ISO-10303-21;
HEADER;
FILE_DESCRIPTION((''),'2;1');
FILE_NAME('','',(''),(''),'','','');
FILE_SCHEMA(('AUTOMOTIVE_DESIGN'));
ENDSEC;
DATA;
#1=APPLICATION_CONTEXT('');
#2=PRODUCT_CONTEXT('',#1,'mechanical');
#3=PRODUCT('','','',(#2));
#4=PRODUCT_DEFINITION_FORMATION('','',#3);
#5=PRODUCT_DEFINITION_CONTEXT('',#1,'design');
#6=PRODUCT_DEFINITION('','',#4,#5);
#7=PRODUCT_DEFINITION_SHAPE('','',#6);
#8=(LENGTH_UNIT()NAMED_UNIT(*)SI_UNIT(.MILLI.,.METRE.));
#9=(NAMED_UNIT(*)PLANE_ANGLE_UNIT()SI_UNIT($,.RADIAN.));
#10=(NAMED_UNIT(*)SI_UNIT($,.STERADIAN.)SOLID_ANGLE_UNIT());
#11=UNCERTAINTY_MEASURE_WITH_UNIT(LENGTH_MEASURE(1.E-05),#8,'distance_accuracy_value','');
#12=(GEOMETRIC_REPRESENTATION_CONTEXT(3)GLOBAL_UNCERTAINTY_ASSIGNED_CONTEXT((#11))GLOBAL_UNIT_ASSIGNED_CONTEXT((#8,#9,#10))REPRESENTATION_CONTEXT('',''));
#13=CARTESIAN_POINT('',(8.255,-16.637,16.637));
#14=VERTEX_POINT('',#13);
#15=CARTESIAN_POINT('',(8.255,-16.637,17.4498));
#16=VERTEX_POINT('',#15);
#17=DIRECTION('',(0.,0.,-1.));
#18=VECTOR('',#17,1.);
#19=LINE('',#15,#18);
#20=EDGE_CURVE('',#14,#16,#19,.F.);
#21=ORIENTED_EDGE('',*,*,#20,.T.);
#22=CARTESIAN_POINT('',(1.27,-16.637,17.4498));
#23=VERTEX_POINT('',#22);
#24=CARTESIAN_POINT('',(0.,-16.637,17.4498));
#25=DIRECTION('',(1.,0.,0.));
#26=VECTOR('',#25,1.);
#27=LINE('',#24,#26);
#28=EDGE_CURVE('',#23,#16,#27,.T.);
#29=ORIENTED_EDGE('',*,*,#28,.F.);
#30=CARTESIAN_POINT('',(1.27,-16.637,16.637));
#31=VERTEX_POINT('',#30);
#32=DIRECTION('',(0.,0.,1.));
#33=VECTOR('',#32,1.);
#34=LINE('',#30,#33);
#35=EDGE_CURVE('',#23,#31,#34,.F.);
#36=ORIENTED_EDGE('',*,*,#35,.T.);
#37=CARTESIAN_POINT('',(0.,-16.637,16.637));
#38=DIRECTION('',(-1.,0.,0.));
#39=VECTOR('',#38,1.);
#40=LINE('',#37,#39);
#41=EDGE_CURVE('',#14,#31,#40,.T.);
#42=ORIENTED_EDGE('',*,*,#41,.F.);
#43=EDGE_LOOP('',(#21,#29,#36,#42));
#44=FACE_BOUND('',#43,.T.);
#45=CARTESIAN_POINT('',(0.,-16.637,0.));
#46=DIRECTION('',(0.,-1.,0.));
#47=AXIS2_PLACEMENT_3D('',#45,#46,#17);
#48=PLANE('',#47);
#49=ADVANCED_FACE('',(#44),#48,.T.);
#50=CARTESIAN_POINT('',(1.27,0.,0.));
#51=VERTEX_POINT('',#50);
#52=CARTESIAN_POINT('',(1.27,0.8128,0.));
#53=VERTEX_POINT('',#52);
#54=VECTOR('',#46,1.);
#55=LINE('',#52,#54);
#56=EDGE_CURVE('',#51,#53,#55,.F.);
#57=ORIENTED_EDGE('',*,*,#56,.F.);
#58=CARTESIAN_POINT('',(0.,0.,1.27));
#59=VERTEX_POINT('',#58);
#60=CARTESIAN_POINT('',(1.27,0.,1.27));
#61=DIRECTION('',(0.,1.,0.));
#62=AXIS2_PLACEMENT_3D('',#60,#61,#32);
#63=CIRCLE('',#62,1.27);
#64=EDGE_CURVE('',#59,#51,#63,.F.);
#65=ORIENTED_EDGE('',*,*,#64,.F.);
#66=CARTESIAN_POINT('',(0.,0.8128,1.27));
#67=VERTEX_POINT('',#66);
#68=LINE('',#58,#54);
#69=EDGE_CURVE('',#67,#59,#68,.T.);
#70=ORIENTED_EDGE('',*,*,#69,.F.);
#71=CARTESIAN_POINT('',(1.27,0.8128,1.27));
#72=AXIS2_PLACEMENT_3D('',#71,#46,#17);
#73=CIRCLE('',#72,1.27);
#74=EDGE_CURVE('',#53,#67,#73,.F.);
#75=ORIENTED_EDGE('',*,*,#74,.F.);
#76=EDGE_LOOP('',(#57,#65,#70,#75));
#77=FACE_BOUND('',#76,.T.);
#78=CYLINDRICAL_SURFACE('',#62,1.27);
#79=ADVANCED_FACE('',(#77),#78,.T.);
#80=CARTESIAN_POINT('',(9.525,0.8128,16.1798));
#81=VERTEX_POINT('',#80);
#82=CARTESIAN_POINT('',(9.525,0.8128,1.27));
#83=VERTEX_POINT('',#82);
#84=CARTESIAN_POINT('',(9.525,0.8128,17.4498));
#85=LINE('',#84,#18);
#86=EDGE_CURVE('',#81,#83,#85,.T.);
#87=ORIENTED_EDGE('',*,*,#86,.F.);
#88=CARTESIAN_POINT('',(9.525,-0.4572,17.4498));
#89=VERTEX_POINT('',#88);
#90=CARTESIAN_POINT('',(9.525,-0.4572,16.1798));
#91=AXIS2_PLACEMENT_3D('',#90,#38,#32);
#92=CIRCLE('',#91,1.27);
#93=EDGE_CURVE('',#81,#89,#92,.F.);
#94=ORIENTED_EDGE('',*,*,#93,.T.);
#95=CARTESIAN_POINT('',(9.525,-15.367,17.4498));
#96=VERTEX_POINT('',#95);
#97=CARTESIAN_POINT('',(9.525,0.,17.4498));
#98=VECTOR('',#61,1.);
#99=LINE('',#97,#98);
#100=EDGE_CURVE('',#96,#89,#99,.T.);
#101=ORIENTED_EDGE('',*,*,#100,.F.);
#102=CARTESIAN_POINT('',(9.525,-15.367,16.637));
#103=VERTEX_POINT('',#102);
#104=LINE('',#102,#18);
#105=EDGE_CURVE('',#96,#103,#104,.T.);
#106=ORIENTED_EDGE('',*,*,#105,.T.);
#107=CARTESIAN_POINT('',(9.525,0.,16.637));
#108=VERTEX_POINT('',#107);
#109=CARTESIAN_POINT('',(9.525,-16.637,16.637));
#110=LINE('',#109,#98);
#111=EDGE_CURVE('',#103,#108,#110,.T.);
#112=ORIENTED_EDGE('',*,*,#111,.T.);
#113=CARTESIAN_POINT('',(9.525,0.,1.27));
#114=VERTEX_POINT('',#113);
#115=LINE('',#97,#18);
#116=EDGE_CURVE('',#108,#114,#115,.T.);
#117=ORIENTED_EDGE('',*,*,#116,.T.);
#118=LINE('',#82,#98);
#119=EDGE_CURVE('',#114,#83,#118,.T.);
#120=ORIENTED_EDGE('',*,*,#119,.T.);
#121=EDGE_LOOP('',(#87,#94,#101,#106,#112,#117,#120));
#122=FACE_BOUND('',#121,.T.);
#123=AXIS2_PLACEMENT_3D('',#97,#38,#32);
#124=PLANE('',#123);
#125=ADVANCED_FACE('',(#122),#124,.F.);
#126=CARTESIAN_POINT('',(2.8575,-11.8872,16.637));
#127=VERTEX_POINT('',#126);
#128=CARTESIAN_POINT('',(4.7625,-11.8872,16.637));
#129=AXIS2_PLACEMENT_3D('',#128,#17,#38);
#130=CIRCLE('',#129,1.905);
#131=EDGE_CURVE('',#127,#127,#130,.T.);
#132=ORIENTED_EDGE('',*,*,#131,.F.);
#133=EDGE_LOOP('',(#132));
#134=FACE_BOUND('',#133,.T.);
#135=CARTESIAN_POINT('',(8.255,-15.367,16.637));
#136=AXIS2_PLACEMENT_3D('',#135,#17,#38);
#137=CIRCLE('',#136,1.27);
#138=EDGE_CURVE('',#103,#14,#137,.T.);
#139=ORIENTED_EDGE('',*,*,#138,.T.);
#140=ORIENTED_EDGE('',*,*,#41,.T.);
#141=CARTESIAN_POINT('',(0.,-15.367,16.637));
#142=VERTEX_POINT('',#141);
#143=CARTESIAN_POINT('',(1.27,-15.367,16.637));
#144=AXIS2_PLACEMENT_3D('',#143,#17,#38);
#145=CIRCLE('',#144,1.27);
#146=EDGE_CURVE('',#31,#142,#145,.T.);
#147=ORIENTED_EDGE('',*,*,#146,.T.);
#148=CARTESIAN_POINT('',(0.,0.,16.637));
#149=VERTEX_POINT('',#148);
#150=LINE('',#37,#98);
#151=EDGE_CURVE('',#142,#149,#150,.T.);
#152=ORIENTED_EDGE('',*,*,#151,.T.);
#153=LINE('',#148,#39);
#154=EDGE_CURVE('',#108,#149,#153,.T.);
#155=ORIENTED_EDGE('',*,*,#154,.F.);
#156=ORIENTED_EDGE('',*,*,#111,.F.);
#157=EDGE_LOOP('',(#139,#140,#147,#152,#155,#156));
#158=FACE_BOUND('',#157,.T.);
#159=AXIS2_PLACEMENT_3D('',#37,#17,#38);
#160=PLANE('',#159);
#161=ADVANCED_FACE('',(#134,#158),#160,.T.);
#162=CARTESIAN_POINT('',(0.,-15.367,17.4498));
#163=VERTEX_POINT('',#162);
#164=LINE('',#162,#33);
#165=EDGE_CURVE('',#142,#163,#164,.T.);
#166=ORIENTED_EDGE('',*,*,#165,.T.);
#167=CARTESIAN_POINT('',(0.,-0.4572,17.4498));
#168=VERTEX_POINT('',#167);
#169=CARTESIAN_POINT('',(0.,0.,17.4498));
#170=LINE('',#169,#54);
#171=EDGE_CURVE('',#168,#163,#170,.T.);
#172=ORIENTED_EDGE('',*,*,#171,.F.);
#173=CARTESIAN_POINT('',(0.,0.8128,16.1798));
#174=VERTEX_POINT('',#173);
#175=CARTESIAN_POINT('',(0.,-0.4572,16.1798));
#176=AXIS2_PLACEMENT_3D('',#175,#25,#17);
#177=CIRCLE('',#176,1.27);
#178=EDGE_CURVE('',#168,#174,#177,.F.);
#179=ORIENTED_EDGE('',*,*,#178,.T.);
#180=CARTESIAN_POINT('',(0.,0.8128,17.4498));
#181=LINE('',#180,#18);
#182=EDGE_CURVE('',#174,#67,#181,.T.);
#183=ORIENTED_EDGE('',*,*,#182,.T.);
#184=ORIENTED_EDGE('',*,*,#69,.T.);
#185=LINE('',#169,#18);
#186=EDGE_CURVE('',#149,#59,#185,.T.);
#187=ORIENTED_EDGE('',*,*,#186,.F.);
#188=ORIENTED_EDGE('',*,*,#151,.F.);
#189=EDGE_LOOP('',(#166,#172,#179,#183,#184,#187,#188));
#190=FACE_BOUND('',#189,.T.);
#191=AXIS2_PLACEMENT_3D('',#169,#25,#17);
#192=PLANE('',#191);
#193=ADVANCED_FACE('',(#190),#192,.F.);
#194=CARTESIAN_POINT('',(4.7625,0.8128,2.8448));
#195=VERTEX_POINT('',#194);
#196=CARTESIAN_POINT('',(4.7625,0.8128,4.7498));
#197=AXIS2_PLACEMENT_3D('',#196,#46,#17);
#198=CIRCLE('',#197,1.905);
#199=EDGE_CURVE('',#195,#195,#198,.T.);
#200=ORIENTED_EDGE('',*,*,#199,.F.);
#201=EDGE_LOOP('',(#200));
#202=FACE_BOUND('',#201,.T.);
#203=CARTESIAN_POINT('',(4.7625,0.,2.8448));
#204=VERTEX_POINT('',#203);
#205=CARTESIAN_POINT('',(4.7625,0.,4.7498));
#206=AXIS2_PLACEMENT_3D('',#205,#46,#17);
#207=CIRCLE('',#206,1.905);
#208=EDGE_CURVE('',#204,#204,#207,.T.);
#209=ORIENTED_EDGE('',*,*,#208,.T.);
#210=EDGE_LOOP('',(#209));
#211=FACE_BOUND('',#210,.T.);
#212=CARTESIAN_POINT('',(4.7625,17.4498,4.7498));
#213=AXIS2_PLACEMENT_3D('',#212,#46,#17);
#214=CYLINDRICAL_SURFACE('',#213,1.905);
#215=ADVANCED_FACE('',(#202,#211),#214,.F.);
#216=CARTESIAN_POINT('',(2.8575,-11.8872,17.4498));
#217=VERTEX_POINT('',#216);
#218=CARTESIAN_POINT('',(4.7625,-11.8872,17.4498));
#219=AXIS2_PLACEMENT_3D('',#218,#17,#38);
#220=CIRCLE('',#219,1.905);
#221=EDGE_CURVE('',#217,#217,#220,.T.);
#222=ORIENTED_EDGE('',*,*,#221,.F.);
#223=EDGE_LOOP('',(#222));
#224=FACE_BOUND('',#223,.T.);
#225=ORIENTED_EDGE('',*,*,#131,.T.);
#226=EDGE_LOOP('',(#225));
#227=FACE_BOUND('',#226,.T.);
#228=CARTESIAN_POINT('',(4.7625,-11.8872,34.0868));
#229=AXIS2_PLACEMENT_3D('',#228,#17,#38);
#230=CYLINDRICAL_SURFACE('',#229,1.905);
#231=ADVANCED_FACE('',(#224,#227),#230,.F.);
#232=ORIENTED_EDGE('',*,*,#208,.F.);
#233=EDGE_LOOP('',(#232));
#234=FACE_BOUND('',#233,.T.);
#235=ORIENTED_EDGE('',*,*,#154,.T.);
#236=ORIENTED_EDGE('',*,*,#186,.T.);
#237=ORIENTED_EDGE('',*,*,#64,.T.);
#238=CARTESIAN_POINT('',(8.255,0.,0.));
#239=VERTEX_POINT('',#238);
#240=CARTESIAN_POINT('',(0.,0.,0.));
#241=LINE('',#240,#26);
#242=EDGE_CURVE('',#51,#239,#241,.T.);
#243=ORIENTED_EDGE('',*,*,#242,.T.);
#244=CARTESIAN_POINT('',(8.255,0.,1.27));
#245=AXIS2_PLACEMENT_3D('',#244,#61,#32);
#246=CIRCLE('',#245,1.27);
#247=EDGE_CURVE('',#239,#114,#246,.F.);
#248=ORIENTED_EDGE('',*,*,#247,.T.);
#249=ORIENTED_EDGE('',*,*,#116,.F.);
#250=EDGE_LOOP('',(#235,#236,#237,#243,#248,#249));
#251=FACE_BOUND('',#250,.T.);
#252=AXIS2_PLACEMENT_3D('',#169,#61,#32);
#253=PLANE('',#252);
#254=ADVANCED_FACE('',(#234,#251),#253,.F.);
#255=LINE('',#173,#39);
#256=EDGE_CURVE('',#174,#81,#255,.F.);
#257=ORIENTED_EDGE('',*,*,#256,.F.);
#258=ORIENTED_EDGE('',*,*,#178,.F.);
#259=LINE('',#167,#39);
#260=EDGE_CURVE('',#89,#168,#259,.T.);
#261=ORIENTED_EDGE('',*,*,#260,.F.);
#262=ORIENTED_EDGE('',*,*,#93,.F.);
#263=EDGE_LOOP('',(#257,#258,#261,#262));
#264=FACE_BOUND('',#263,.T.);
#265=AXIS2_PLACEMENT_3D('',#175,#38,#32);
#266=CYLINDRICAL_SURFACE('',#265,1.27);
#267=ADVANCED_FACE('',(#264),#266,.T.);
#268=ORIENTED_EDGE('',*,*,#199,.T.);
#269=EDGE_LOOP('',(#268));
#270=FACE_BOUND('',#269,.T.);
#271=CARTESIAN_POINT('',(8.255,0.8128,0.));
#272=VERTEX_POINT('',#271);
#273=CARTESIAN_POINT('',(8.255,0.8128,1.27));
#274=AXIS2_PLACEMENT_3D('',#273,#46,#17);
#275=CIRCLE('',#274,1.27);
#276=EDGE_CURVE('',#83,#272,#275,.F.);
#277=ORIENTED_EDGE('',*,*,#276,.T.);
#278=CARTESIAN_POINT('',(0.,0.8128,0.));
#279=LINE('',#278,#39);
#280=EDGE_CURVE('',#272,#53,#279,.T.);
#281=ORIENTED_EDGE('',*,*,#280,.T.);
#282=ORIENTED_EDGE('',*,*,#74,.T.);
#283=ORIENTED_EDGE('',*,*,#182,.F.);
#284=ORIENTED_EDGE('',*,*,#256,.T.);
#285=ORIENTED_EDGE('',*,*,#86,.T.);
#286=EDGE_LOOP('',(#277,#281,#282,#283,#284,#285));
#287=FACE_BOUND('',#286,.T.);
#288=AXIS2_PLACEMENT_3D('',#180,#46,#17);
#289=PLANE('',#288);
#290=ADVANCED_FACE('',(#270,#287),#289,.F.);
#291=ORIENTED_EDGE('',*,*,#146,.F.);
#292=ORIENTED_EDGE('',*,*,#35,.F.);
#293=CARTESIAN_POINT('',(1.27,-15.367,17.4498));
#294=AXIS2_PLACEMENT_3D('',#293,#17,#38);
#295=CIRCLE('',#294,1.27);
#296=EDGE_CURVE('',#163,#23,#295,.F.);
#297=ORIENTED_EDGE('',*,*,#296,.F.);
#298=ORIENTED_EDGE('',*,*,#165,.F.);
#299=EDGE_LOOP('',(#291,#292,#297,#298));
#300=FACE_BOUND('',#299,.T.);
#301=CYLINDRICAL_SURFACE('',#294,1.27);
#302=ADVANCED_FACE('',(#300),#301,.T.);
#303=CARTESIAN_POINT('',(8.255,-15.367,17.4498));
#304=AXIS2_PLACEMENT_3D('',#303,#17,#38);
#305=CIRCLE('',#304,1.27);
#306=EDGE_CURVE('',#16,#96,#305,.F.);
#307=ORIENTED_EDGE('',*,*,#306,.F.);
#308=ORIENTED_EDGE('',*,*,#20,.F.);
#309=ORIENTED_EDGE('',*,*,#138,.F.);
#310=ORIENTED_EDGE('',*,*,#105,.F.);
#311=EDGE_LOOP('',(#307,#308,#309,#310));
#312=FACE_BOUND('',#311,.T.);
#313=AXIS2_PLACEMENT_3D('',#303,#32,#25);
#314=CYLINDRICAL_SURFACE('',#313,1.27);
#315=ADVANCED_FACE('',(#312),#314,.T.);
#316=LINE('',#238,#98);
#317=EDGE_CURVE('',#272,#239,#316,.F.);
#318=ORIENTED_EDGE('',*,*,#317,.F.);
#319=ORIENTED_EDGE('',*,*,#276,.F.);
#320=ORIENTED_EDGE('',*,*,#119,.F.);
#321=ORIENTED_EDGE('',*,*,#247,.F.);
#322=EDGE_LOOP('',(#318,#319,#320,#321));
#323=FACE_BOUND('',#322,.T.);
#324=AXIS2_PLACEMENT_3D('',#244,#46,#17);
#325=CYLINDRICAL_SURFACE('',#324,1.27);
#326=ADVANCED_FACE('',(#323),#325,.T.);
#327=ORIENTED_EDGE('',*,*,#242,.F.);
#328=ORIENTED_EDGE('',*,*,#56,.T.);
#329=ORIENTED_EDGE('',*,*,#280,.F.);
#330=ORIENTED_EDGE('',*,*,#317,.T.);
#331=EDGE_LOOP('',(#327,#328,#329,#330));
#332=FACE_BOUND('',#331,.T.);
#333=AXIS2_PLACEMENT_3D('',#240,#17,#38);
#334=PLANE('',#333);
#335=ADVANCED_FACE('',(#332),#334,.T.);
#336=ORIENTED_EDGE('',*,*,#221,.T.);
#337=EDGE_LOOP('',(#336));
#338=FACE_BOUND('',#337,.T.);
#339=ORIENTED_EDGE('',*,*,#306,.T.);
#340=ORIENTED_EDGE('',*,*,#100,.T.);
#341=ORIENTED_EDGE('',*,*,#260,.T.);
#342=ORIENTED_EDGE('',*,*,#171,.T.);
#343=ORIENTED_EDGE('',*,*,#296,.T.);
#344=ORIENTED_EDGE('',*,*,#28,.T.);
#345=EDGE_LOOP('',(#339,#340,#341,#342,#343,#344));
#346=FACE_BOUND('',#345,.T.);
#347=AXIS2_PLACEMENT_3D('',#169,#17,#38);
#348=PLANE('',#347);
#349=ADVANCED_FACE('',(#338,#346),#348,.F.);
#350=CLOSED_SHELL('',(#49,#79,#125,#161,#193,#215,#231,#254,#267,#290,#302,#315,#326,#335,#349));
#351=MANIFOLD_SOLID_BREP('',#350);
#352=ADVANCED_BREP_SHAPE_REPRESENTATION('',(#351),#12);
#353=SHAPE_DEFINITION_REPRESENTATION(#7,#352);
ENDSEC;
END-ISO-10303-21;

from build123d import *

# Parameters (mm, degrees)
SKETCH1_W           = 9.525
SKETCH1_H           = 0.8128
BOSS_EXTRUDE1_DEPTH = 17.4498
SKETCH2_W           = 9.525
SKETCH2_H           = 0.8128
BOSS_EXTRUDE2_DEPTH = 17.4498
SKETCH3_R           = 1.905
CUT_EXTRUDE1_DEPTH  = 17.4498
SKETCH4_R           = 1.905
CUT_EXTRUDE2_DEPTH  = 17.4498
FILLET1_R           = 1.27


with BuildPart() as part:
    # Sketch1 → Boss-Extrude1 (new body)
    with BuildSketch(Plane.XY):
        with Locations((4.7625, 0.4064)):
            Rectangle(SKETCH1_W, SKETCH1_H)
    extrude(amount=BOSS_EXTRUDE1_DEPTH)

    # Sketch2 → Boss-Extrude2 (add)
    with BuildSketch(Plane(origin=(0, 0.8128, 0), x_dir=(1, 0, 0), z_dir=(0, 1, 0))):
        with Locations((4.7625, -17.0434)):
            Rectangle(SKETCH2_W, SKETCH2_H)
    extrude(amount=-BOSS_EXTRUDE2_DEPTH)

    # Sketch3 → Cut-Extrude1 (cut)
    with BuildSketch(Plane.XZ):
        with Locations(Location((4.7625, 4.7498, 0), (0, 0, 270))):
            Circle(SKETCH3_R)
    extrude(amount=-CUT_EXTRUDE1_DEPTH, mode=Mode.SUBTRACT)

    # Sketch4 → Cut-Extrude2 (cut)
    with BuildSketch(Plane(origin=(0, 0, 16.637), x_dir=(-1, 0, 0), z_dir=(0, 0, -1))):
        with Locations((-4.7625, -11.8872)):
            Circle(SKETCH4_R)
    extrude(amount=-CUT_EXTRUDE2_DEPTH, mode=Mode.SUBTRACT)

    # Fillet1
    fillet1_edges = [part.edges().sort_by_distance(p)[0] for p in [
        (4.7625, 0.8128, 17.4498),
        (0, -16.637, 17.0434),
        (9.525, -16.637, 17.0434),
        (9.525, 0.4064, 0),
        (0, 0.4064, 0),
    ]]
    fillet(fillet1_edges, radius=FILLET1_R)


solid = part.part
